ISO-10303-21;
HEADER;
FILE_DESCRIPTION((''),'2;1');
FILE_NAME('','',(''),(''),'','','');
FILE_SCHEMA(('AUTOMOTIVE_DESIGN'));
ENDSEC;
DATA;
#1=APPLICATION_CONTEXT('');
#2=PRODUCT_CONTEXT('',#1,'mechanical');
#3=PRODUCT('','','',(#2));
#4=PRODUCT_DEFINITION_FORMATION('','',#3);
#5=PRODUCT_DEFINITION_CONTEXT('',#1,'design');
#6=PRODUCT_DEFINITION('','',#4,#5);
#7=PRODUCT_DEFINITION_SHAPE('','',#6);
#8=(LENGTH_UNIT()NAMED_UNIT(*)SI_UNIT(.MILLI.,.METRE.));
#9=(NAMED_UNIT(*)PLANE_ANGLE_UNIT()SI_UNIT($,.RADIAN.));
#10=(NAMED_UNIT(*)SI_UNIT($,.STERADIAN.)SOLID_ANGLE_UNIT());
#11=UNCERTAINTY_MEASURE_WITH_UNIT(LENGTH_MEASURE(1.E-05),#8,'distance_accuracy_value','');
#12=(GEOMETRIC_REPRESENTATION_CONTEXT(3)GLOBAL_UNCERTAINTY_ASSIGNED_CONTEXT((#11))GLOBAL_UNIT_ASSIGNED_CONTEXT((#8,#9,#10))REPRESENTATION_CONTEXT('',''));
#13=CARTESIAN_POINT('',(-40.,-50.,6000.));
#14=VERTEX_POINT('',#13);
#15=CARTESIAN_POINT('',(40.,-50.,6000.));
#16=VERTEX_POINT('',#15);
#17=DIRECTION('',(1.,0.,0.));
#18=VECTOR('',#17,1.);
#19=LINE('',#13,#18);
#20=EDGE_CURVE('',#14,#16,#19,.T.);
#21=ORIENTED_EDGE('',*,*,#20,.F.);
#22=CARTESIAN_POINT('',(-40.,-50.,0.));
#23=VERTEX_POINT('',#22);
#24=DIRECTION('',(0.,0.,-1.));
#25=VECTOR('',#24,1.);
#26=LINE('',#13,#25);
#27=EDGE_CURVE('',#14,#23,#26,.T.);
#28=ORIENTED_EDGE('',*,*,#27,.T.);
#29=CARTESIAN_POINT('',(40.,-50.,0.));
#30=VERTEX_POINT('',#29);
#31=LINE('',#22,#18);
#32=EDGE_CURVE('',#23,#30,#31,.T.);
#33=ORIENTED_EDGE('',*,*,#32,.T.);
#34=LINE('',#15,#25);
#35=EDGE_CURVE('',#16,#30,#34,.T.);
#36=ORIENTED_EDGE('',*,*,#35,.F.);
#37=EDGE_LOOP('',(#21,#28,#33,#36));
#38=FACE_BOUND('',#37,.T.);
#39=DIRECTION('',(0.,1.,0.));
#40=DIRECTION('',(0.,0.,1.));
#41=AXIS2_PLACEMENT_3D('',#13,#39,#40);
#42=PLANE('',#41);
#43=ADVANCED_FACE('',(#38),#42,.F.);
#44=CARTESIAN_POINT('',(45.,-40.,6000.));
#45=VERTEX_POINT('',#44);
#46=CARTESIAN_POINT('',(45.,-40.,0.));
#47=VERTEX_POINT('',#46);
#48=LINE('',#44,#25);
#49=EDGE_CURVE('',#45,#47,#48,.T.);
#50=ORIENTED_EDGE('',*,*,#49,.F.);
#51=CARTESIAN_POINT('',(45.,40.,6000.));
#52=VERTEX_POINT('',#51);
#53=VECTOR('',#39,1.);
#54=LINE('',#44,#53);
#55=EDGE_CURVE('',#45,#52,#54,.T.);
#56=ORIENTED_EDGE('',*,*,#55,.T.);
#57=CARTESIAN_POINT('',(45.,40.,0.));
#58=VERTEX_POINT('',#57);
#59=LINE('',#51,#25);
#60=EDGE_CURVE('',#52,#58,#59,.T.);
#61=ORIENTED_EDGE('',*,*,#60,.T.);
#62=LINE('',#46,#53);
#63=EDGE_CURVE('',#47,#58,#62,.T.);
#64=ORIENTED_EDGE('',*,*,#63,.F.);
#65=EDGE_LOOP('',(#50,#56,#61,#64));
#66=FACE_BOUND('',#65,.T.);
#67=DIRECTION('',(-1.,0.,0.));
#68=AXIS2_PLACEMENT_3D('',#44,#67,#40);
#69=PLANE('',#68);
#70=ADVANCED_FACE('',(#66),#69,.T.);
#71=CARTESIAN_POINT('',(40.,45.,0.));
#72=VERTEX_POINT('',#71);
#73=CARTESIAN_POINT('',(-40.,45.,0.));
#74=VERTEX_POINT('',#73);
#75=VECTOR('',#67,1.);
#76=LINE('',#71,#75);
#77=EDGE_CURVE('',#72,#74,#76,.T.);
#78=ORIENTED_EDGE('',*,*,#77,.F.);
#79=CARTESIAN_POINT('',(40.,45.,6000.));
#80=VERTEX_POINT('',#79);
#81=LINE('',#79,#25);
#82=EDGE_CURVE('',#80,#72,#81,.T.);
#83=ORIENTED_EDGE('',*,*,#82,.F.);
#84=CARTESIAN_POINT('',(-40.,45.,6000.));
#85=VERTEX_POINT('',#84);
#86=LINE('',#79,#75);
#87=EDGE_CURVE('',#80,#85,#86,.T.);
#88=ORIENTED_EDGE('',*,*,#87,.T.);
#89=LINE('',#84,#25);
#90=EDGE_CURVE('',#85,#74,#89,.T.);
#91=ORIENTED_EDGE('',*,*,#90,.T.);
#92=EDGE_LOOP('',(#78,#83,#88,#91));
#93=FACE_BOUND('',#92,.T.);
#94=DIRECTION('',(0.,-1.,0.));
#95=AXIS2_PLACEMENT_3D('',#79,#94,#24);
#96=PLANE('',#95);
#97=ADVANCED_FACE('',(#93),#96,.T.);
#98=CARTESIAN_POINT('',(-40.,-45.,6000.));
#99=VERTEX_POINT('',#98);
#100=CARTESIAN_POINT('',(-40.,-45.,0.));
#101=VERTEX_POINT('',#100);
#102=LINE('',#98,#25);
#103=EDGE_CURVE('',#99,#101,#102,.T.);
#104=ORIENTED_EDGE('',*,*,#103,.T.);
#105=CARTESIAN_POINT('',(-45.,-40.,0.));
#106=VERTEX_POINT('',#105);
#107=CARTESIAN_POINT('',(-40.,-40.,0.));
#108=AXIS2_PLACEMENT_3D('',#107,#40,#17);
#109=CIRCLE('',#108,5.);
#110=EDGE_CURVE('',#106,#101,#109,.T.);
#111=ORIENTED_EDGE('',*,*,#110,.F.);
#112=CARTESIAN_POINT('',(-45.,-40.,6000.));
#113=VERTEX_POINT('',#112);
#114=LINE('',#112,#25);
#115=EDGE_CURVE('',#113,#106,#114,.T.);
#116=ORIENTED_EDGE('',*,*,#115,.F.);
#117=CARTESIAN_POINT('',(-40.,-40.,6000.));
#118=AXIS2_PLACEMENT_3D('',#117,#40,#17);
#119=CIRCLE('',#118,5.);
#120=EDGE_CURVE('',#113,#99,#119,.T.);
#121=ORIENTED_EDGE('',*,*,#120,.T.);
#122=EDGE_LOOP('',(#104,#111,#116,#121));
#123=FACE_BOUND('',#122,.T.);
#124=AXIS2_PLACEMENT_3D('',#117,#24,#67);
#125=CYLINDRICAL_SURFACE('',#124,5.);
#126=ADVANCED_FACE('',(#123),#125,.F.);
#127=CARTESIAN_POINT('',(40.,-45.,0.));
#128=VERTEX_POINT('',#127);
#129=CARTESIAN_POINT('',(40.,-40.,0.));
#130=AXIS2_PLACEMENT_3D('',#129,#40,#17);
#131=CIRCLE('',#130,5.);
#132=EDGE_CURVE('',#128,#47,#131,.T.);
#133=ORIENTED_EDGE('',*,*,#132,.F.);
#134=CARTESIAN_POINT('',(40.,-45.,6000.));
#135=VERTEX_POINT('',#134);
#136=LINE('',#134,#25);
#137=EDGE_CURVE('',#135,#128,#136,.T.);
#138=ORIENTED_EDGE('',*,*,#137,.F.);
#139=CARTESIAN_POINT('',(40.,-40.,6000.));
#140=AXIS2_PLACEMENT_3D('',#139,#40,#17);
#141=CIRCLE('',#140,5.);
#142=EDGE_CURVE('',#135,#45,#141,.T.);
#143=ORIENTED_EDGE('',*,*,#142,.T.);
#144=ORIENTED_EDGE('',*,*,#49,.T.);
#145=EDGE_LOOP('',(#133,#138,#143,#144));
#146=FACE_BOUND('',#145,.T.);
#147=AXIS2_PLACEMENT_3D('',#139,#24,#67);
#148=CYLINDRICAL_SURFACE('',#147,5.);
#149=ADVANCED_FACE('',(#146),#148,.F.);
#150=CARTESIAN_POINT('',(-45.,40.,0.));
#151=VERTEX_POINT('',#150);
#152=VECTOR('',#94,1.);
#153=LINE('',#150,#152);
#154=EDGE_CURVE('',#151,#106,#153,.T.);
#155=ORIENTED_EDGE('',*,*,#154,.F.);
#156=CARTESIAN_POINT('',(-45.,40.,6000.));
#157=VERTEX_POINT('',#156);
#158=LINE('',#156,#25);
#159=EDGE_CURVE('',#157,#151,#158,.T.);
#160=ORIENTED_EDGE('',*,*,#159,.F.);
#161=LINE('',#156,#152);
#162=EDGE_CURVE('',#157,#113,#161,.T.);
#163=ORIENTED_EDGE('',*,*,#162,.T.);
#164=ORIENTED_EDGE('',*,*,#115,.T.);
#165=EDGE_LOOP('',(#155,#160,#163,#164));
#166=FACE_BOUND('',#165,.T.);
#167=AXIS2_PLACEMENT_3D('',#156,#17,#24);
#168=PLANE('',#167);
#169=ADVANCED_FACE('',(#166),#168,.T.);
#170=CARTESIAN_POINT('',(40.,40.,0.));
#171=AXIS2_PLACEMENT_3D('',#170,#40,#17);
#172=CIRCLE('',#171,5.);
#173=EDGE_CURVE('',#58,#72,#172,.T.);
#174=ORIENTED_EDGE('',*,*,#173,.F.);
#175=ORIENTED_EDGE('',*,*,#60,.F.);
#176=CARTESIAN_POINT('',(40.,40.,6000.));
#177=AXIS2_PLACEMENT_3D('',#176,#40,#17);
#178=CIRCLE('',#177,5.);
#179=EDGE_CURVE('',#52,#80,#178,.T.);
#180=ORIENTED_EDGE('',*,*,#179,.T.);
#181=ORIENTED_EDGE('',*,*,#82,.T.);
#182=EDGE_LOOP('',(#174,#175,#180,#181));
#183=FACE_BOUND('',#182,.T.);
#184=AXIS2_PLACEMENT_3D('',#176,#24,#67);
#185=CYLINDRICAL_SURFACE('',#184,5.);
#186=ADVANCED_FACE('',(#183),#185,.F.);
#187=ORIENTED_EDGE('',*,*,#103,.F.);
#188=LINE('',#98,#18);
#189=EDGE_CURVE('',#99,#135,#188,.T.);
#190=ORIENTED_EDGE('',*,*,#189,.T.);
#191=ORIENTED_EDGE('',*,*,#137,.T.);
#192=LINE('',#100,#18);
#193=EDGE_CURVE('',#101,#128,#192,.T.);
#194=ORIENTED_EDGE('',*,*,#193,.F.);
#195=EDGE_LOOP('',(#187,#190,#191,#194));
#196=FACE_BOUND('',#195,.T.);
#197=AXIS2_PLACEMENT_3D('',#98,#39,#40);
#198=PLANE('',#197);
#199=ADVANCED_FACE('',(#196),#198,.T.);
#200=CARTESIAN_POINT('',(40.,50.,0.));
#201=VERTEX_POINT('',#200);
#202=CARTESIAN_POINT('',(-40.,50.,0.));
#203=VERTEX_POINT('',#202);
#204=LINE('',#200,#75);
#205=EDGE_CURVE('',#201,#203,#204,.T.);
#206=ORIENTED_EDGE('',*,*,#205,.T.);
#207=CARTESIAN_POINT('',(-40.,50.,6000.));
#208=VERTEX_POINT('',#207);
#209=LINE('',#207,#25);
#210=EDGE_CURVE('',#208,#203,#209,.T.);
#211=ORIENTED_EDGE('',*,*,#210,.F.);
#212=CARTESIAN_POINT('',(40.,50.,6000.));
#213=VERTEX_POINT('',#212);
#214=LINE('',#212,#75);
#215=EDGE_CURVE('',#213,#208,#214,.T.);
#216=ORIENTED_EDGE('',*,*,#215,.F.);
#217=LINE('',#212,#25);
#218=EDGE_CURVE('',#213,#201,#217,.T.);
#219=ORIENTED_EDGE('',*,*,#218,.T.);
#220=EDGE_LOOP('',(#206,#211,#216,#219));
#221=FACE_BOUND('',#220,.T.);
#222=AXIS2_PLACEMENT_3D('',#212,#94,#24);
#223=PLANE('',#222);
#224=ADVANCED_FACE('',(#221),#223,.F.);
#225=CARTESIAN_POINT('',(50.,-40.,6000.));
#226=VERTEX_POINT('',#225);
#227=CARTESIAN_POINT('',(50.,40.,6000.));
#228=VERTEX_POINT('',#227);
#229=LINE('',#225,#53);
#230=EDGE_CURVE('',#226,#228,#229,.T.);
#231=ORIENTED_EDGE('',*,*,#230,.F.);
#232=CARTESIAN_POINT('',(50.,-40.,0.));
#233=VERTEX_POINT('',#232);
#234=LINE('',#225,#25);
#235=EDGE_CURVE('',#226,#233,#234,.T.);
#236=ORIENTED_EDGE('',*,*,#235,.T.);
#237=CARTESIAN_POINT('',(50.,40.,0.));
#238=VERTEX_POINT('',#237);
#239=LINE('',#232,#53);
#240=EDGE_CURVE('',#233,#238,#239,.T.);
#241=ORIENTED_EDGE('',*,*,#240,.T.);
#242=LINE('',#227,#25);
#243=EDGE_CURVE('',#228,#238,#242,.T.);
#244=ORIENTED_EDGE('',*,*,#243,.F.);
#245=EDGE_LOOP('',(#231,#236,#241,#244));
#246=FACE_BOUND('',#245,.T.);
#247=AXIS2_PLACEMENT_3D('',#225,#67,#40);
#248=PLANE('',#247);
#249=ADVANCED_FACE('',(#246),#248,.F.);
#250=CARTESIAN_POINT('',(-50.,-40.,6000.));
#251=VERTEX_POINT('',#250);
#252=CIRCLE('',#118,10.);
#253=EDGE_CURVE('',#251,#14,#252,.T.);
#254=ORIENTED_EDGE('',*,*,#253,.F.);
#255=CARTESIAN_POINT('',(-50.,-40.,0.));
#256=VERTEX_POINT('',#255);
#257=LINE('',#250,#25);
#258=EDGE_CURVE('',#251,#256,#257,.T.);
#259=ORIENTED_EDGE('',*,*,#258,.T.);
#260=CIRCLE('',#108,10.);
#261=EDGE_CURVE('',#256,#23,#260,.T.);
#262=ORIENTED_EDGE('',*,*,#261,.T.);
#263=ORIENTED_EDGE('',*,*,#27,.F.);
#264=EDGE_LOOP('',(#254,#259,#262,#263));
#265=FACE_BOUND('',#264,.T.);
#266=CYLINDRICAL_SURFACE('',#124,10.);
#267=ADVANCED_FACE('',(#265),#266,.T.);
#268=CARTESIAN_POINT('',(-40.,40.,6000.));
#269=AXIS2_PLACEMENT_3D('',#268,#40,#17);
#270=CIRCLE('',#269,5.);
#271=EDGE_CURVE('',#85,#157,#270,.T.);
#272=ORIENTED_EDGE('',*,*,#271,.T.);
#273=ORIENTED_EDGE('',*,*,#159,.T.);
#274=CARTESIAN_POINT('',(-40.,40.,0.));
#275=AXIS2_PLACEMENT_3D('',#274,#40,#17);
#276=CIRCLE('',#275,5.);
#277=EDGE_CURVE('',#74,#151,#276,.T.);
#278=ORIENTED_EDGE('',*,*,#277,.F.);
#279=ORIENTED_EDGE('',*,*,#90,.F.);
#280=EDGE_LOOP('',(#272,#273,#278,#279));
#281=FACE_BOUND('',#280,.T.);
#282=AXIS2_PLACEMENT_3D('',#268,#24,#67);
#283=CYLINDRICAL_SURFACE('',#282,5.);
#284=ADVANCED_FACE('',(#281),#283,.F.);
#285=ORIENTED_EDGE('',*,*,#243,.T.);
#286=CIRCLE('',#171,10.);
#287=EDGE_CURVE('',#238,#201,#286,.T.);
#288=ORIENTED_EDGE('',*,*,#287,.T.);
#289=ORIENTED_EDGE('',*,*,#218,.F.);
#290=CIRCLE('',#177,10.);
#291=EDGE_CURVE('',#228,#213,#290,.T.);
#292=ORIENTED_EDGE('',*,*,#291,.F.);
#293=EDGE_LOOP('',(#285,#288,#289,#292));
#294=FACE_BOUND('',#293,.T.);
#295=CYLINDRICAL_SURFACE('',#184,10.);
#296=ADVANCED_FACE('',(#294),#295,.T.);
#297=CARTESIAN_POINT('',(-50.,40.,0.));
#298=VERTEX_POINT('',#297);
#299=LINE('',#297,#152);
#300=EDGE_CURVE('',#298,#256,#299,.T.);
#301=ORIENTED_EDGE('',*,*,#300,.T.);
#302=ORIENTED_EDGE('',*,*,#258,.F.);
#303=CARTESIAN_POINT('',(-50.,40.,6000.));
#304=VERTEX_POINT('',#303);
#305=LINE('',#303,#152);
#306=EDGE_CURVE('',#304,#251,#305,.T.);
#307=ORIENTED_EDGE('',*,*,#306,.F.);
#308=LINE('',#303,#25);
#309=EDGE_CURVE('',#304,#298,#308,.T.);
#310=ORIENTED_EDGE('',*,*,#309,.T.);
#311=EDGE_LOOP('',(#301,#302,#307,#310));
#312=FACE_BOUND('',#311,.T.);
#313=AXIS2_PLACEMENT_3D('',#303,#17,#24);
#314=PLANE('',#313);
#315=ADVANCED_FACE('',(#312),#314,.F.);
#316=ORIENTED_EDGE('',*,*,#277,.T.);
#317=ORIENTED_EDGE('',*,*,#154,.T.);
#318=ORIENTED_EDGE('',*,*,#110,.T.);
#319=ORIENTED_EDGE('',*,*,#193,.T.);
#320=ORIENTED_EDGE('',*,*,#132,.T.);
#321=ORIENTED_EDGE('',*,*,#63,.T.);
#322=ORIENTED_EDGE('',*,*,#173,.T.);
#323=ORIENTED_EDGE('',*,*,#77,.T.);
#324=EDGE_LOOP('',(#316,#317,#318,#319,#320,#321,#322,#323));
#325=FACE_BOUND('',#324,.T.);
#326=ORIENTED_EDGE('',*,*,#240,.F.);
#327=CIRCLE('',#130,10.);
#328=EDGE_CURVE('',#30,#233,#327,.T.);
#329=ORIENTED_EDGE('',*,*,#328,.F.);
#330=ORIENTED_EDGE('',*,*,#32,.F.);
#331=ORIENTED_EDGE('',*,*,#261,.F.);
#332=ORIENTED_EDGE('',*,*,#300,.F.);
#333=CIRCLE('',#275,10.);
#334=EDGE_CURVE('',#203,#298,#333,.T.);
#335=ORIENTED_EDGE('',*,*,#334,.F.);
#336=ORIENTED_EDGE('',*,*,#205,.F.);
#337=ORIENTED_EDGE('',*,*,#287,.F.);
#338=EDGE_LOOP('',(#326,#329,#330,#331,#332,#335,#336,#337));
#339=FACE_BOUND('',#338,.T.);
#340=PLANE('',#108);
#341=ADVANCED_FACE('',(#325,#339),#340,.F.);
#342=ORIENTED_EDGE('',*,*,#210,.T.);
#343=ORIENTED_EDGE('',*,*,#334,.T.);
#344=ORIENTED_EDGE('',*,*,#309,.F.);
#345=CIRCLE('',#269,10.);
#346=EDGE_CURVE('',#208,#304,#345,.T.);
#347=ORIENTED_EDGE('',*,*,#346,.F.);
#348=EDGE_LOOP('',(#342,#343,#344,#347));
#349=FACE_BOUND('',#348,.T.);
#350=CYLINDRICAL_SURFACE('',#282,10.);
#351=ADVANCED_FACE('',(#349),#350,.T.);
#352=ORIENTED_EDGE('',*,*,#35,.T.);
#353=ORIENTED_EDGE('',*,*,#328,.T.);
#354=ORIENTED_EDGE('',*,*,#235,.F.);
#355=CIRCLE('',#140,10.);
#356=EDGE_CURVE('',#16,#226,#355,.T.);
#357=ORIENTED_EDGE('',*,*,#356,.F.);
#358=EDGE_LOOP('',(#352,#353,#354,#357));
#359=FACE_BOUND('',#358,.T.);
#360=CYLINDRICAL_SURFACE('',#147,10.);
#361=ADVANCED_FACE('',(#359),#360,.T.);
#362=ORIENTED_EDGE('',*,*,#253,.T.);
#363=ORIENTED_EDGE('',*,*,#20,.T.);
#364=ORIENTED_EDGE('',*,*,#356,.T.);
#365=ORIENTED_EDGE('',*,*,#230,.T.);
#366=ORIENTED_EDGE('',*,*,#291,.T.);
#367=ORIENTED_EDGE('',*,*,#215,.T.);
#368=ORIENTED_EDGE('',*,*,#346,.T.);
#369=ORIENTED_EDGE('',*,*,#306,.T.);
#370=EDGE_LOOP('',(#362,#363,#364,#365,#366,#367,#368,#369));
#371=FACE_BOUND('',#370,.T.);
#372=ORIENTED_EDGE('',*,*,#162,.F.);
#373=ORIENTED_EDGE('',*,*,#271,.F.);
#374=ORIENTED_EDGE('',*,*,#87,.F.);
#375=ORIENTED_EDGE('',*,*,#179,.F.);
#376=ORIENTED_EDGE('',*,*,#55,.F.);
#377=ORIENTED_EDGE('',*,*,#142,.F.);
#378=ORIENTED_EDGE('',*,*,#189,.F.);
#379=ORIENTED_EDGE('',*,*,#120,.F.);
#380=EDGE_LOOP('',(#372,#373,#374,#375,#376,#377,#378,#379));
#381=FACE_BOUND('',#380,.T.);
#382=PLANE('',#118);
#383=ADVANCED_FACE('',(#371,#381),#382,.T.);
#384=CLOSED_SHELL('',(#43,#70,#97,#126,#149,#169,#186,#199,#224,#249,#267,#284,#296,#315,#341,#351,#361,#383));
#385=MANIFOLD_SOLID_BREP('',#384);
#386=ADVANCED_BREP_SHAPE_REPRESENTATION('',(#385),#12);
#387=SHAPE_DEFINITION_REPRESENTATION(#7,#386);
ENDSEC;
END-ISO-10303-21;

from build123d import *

# Parameters (mm, degrees)
SHS100X100X5_1_DEPTH = 6000


with BuildPart() as part:
    # Sketch11 → SHS100x100x5 (1) (new body)
    with BuildSketch(Plane.XY):
        with BuildLine():
            Line((-40, -50), (40, -50))
            ThreePointArc((40, -50), (47.071067812, -47.071067812), (50, -40))
            Line((50, -40), (50, 40))
            ThreePointArc((50, 40), (47.071067812, 47.071067812), (40, 50))
            Line((40, 50), (-40, 50))
            ThreePointArc((-40, 50), (-47.071067812, 47.071067812), (-50, 40))
            Line((-50, 40), (-50, -40))
            ThreePointArc((-50, -40), (-47.071067812, -47.071067812), (-40, -50))
        make_face()
        with BuildLine():
            Line((-40, -45), (40, -45))
            ThreePointArc((40, -45), (43.535533906, -43.535533906), (45, -40))
            Line((45, -40), (45, 40))
            ThreePointArc((45, 40), (43.535533906, 43.535533906), (40, 45))
            Line((40, 45), (-40, 45))
            ThreePointArc((-40, 45), (-43.535533906, 43.535533906), (-45, 40))
            Line((-45, 40), (-45, -40))
            ThreePointArc((-45, -40), (-43.535533906, -43.535533906), (-40, -45))
        make_face(mode=Mode.SUBTRACT)
    extrude(amount=SHS100X100X5_1_DEPTH)


solid = part.part
